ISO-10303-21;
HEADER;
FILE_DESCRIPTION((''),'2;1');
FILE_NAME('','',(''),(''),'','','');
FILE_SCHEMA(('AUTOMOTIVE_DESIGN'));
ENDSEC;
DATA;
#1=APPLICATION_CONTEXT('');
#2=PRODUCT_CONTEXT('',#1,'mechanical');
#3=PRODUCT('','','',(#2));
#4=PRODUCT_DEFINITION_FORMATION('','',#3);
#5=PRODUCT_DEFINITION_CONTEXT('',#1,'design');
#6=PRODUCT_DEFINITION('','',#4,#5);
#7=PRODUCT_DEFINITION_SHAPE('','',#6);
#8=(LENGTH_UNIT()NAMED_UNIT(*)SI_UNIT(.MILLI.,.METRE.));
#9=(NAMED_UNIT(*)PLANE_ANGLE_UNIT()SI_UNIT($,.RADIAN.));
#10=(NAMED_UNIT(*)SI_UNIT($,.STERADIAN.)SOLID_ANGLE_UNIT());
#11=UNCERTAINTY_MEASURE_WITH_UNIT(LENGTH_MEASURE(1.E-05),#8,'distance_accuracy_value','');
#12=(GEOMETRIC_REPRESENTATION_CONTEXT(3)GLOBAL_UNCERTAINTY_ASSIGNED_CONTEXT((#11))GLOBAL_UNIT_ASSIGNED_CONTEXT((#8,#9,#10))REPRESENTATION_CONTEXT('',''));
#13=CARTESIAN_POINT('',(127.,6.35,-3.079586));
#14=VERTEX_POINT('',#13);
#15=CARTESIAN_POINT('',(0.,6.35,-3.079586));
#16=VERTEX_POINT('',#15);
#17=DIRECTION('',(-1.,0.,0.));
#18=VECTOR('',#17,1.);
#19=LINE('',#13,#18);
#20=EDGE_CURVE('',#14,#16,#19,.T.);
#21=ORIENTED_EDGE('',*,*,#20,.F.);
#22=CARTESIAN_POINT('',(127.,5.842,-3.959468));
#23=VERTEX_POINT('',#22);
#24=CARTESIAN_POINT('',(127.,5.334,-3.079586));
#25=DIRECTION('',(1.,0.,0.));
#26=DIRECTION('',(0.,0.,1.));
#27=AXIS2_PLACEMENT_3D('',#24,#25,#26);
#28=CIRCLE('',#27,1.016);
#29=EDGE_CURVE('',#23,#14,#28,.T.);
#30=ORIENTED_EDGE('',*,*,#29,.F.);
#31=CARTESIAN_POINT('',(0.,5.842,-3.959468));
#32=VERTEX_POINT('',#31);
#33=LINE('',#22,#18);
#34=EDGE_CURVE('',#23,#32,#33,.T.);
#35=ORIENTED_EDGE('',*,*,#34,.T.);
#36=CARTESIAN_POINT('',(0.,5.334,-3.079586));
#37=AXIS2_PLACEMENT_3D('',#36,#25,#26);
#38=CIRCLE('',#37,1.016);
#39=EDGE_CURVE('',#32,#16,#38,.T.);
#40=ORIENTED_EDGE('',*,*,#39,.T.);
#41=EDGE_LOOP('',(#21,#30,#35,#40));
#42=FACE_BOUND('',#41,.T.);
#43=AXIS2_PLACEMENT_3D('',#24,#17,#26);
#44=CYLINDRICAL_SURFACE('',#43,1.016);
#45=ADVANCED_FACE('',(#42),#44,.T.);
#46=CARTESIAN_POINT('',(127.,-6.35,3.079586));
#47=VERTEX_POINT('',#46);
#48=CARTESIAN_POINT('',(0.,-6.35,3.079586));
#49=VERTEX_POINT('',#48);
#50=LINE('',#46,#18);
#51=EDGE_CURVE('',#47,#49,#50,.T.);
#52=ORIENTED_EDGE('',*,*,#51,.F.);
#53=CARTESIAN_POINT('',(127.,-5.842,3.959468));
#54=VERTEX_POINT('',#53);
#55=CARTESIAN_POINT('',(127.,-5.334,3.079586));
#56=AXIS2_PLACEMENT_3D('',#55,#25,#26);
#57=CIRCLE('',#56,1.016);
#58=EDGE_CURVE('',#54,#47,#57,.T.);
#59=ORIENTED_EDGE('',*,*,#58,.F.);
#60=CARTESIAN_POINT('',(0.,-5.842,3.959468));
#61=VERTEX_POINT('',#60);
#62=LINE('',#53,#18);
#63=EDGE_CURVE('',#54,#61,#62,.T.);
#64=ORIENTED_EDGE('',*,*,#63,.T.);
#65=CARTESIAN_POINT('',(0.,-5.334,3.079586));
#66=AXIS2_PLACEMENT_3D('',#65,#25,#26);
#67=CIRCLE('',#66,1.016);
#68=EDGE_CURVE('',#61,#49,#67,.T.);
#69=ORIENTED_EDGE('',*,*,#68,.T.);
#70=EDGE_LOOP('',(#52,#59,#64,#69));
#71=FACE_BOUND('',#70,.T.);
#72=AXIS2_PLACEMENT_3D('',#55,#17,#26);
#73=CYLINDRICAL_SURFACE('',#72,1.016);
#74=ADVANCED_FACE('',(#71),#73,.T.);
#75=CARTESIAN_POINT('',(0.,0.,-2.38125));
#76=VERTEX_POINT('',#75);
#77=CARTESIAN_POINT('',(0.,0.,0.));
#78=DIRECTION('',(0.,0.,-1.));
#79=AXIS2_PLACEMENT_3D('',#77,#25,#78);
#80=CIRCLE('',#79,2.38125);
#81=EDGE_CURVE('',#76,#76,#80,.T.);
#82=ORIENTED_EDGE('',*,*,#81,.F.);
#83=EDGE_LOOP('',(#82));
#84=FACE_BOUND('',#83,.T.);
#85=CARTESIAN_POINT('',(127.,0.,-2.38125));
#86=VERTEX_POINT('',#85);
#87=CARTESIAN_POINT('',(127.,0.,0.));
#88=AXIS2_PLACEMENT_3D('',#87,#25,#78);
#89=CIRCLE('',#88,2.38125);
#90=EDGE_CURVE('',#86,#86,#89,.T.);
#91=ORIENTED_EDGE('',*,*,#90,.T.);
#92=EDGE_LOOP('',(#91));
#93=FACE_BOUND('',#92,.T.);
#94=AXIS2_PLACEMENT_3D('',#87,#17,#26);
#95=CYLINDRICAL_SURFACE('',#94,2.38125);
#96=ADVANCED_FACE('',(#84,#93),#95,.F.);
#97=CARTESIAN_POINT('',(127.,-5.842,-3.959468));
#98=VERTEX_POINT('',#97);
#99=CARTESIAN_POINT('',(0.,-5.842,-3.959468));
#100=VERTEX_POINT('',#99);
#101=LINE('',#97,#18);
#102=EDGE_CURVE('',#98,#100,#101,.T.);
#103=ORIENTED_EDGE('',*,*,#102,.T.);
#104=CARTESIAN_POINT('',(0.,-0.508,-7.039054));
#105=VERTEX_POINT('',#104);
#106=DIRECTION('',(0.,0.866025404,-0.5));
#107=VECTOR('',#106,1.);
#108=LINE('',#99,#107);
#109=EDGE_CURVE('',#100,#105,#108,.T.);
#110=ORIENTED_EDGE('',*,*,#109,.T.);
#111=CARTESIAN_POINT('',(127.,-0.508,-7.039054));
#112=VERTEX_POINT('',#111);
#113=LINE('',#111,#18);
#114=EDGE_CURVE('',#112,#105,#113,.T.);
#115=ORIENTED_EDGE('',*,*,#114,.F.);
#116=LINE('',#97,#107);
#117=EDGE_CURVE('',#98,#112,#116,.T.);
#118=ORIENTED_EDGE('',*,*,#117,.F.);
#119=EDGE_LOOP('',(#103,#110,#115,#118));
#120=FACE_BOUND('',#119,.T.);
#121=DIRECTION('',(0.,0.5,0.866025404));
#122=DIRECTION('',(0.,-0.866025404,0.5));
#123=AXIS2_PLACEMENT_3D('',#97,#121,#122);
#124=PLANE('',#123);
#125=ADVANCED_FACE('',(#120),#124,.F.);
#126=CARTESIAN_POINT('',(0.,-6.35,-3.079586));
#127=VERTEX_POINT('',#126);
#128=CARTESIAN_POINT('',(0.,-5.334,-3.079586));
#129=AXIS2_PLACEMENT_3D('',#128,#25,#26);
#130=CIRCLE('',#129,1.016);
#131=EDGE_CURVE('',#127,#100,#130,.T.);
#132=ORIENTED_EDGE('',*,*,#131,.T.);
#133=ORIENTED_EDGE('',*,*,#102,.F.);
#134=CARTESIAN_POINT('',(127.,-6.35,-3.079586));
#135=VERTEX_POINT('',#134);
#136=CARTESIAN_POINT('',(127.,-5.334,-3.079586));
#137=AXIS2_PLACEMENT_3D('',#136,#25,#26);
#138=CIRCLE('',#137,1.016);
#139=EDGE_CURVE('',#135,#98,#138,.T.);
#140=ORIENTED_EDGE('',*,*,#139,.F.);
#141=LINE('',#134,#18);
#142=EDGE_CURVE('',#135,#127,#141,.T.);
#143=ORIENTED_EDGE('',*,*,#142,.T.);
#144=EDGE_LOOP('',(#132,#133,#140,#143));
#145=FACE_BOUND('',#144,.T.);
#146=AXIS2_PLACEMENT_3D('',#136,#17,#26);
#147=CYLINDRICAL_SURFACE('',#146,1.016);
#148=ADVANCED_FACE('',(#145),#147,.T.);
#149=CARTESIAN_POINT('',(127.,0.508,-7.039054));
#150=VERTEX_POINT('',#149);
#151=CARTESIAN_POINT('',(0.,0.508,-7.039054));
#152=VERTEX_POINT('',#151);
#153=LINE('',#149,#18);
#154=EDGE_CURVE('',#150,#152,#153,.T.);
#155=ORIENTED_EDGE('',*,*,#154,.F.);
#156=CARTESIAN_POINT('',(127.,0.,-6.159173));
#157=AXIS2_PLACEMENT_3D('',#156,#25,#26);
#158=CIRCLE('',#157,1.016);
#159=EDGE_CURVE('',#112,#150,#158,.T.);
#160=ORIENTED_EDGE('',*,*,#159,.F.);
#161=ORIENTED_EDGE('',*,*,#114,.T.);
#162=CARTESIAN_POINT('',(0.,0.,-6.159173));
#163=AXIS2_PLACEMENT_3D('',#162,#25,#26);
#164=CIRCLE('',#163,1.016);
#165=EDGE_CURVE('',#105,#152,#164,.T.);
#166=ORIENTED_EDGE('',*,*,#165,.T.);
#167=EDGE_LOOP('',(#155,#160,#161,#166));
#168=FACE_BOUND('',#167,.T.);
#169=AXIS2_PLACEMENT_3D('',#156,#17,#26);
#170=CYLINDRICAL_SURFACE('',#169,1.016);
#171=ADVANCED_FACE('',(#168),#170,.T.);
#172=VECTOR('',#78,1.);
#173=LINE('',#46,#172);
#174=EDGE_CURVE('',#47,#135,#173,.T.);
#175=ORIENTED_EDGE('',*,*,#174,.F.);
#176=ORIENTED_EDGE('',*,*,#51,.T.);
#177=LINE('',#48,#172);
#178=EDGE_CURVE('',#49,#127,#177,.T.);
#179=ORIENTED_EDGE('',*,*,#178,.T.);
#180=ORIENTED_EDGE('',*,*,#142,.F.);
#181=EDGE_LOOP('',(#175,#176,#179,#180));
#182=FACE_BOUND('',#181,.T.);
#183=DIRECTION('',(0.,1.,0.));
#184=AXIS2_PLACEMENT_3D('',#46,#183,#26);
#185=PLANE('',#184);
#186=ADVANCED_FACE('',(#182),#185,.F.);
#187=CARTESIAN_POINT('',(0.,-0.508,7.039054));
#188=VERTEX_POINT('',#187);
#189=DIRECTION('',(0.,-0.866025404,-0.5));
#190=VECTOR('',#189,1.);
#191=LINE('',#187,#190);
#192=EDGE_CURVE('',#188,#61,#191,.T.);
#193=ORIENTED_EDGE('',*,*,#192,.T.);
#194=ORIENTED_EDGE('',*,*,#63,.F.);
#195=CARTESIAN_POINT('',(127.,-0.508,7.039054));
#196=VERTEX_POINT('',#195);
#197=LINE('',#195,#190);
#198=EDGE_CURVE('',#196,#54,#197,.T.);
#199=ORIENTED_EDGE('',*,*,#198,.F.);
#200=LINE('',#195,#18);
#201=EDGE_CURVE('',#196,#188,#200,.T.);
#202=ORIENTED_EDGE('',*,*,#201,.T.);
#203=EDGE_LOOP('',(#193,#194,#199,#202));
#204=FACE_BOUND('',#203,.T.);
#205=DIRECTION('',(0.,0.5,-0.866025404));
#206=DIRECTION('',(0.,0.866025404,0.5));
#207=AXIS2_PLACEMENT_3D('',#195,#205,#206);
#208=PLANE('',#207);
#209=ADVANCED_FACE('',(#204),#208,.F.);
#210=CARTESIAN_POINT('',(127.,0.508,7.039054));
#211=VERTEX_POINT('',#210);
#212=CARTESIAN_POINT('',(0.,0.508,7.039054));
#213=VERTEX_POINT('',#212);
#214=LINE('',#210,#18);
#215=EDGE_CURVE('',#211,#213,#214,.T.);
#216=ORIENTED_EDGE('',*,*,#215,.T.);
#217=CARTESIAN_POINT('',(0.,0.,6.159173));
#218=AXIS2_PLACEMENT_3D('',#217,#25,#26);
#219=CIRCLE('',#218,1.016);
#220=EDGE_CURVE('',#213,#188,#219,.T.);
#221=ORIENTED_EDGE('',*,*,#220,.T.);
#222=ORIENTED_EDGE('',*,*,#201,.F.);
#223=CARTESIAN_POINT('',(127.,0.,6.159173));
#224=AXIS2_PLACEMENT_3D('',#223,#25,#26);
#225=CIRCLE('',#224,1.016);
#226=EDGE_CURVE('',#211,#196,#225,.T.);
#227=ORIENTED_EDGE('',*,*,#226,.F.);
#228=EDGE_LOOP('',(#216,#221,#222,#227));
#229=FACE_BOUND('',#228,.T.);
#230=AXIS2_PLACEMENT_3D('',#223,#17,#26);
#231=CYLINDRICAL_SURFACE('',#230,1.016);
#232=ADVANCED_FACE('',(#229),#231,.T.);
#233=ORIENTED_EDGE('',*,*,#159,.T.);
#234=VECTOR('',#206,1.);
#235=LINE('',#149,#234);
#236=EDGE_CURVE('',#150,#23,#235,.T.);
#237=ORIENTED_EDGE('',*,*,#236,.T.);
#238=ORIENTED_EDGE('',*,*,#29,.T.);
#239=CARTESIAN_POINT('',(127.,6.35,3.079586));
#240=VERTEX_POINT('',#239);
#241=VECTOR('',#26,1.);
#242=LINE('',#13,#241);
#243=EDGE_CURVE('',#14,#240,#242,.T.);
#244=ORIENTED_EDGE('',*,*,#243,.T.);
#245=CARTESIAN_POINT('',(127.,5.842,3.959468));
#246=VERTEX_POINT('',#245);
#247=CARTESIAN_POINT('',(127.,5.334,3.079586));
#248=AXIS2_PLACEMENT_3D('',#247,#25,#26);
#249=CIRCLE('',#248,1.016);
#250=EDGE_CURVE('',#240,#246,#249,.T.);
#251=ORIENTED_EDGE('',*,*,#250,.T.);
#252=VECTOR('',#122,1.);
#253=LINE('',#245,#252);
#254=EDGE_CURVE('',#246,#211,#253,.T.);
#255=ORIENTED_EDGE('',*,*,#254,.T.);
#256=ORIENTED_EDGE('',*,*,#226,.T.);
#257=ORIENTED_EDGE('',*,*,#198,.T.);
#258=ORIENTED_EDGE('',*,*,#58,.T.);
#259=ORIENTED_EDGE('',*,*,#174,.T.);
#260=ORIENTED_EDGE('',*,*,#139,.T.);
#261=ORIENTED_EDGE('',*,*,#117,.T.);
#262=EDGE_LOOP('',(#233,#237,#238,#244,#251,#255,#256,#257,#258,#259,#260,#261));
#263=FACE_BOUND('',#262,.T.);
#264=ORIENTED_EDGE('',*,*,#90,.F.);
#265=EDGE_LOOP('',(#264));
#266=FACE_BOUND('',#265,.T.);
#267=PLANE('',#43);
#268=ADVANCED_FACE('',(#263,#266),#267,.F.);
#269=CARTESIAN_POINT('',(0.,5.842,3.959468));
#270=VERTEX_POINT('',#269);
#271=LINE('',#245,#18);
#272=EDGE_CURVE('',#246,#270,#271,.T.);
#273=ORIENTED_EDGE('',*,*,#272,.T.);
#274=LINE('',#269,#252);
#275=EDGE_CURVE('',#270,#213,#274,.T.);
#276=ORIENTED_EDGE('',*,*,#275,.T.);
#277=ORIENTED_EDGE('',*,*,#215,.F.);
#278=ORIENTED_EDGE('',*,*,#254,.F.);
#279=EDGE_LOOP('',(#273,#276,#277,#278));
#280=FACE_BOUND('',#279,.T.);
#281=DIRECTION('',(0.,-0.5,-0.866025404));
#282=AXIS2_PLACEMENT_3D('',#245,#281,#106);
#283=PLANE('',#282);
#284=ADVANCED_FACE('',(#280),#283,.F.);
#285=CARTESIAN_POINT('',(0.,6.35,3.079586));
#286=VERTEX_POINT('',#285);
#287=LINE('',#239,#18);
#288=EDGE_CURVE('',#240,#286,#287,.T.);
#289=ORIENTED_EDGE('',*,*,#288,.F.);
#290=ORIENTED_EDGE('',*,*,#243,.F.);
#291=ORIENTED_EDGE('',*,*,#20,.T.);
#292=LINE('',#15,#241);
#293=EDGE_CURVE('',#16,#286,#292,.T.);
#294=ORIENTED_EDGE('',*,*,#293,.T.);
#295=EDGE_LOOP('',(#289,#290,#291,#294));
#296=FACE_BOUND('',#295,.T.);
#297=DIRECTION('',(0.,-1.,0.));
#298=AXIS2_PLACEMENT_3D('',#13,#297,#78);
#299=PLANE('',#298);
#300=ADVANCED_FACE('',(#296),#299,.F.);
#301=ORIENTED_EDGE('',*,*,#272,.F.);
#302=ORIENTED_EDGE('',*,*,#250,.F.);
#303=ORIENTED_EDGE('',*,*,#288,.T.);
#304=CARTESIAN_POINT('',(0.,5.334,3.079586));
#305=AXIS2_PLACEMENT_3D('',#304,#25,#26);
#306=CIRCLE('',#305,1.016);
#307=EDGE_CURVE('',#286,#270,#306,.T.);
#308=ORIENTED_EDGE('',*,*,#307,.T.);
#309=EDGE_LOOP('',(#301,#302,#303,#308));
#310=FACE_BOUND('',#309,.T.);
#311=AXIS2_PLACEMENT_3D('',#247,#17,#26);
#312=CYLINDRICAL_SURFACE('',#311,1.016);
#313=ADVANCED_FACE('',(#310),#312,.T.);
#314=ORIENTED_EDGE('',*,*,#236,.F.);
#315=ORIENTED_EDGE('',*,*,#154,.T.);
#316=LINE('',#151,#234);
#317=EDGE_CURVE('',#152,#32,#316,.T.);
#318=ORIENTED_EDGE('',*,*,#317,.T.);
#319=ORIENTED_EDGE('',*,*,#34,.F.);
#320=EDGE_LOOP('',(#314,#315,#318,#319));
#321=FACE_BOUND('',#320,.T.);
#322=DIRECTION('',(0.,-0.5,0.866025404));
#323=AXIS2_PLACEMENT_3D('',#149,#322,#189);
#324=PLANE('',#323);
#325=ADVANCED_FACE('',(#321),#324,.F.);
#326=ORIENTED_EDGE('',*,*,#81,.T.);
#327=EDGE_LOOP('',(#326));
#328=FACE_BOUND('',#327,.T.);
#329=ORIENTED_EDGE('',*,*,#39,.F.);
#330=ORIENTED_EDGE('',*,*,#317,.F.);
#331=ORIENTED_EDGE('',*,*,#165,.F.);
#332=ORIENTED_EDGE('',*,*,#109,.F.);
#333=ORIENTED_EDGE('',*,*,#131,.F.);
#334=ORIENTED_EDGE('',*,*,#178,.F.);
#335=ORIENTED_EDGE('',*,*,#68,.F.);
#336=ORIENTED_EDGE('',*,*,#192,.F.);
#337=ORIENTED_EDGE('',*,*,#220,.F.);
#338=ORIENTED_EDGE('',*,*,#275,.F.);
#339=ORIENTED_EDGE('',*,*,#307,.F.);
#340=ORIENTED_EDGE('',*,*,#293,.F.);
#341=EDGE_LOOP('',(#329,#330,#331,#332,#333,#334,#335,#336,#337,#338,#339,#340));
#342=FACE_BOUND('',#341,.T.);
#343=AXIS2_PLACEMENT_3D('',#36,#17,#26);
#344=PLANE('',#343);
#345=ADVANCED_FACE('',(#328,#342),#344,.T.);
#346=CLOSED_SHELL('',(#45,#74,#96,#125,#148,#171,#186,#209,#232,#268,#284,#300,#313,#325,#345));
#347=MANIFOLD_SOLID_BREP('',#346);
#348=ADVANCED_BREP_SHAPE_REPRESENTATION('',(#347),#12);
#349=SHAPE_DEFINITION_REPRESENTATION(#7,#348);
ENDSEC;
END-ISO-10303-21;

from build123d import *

# Parameters (mm, degrees)
SKETCH1_R           = 2.38125
BOSS_EXTRUDE1_DEPTH = 127


with BuildPart() as part:
    # Sketch1 → Boss-Extrude1 (new body)
    with BuildSketch(Plane(origin=(0, 0, 0), x_dir=(0, 0, -1), z_dir=(1, 0, 0))):
        with BuildLine():
            Line((7.039054482, 0.508), (3.959468146, 5.842))
            ThreePointArc((3.959468146, 5.842), (3.587586336, 6.21388181), (3.079586336, 6.35))
            Line((3.079586336, 6.35), (-3.079586336, 6.35))
            ThreePointArc((-3.079586336, 6.35), (-3.587586336, 6.21388181), (-3.959468146, 5.842))
            Line((-3.959468146, 5.842), (-7.039054482, 0.508))
            ThreePointArc((-7.039054482, 0.508), (-7.175172672, 0), (-7.039054482, -0.508))
            Line((-7.039054482, -0.508), (-3.959468146, -5.842))
            ThreePointArc((-3.959468146, -5.842), (-3.587586336, -6.21388181), (-3.079586336, -6.35))
            Line((-3.079586336, -6.35), (3.079586336, -6.35))
            ThreePointArc((3.079586336, -6.35), (3.587586336, -6.21388181), (3.959468146, -5.842))
            Line((3.959468146, -5.842), (7.039054482, -0.508))
            ThreePointArc((7.039054482, -0.508), (7.175172672, 0), (7.039054482, 0.508))
        make_face()
        Circle(SKETCH1_R, mode=Mode.SUBTRACT)
    extrude(amount=BOSS_EXTRUDE1_DEPTH)


solid = part.part
